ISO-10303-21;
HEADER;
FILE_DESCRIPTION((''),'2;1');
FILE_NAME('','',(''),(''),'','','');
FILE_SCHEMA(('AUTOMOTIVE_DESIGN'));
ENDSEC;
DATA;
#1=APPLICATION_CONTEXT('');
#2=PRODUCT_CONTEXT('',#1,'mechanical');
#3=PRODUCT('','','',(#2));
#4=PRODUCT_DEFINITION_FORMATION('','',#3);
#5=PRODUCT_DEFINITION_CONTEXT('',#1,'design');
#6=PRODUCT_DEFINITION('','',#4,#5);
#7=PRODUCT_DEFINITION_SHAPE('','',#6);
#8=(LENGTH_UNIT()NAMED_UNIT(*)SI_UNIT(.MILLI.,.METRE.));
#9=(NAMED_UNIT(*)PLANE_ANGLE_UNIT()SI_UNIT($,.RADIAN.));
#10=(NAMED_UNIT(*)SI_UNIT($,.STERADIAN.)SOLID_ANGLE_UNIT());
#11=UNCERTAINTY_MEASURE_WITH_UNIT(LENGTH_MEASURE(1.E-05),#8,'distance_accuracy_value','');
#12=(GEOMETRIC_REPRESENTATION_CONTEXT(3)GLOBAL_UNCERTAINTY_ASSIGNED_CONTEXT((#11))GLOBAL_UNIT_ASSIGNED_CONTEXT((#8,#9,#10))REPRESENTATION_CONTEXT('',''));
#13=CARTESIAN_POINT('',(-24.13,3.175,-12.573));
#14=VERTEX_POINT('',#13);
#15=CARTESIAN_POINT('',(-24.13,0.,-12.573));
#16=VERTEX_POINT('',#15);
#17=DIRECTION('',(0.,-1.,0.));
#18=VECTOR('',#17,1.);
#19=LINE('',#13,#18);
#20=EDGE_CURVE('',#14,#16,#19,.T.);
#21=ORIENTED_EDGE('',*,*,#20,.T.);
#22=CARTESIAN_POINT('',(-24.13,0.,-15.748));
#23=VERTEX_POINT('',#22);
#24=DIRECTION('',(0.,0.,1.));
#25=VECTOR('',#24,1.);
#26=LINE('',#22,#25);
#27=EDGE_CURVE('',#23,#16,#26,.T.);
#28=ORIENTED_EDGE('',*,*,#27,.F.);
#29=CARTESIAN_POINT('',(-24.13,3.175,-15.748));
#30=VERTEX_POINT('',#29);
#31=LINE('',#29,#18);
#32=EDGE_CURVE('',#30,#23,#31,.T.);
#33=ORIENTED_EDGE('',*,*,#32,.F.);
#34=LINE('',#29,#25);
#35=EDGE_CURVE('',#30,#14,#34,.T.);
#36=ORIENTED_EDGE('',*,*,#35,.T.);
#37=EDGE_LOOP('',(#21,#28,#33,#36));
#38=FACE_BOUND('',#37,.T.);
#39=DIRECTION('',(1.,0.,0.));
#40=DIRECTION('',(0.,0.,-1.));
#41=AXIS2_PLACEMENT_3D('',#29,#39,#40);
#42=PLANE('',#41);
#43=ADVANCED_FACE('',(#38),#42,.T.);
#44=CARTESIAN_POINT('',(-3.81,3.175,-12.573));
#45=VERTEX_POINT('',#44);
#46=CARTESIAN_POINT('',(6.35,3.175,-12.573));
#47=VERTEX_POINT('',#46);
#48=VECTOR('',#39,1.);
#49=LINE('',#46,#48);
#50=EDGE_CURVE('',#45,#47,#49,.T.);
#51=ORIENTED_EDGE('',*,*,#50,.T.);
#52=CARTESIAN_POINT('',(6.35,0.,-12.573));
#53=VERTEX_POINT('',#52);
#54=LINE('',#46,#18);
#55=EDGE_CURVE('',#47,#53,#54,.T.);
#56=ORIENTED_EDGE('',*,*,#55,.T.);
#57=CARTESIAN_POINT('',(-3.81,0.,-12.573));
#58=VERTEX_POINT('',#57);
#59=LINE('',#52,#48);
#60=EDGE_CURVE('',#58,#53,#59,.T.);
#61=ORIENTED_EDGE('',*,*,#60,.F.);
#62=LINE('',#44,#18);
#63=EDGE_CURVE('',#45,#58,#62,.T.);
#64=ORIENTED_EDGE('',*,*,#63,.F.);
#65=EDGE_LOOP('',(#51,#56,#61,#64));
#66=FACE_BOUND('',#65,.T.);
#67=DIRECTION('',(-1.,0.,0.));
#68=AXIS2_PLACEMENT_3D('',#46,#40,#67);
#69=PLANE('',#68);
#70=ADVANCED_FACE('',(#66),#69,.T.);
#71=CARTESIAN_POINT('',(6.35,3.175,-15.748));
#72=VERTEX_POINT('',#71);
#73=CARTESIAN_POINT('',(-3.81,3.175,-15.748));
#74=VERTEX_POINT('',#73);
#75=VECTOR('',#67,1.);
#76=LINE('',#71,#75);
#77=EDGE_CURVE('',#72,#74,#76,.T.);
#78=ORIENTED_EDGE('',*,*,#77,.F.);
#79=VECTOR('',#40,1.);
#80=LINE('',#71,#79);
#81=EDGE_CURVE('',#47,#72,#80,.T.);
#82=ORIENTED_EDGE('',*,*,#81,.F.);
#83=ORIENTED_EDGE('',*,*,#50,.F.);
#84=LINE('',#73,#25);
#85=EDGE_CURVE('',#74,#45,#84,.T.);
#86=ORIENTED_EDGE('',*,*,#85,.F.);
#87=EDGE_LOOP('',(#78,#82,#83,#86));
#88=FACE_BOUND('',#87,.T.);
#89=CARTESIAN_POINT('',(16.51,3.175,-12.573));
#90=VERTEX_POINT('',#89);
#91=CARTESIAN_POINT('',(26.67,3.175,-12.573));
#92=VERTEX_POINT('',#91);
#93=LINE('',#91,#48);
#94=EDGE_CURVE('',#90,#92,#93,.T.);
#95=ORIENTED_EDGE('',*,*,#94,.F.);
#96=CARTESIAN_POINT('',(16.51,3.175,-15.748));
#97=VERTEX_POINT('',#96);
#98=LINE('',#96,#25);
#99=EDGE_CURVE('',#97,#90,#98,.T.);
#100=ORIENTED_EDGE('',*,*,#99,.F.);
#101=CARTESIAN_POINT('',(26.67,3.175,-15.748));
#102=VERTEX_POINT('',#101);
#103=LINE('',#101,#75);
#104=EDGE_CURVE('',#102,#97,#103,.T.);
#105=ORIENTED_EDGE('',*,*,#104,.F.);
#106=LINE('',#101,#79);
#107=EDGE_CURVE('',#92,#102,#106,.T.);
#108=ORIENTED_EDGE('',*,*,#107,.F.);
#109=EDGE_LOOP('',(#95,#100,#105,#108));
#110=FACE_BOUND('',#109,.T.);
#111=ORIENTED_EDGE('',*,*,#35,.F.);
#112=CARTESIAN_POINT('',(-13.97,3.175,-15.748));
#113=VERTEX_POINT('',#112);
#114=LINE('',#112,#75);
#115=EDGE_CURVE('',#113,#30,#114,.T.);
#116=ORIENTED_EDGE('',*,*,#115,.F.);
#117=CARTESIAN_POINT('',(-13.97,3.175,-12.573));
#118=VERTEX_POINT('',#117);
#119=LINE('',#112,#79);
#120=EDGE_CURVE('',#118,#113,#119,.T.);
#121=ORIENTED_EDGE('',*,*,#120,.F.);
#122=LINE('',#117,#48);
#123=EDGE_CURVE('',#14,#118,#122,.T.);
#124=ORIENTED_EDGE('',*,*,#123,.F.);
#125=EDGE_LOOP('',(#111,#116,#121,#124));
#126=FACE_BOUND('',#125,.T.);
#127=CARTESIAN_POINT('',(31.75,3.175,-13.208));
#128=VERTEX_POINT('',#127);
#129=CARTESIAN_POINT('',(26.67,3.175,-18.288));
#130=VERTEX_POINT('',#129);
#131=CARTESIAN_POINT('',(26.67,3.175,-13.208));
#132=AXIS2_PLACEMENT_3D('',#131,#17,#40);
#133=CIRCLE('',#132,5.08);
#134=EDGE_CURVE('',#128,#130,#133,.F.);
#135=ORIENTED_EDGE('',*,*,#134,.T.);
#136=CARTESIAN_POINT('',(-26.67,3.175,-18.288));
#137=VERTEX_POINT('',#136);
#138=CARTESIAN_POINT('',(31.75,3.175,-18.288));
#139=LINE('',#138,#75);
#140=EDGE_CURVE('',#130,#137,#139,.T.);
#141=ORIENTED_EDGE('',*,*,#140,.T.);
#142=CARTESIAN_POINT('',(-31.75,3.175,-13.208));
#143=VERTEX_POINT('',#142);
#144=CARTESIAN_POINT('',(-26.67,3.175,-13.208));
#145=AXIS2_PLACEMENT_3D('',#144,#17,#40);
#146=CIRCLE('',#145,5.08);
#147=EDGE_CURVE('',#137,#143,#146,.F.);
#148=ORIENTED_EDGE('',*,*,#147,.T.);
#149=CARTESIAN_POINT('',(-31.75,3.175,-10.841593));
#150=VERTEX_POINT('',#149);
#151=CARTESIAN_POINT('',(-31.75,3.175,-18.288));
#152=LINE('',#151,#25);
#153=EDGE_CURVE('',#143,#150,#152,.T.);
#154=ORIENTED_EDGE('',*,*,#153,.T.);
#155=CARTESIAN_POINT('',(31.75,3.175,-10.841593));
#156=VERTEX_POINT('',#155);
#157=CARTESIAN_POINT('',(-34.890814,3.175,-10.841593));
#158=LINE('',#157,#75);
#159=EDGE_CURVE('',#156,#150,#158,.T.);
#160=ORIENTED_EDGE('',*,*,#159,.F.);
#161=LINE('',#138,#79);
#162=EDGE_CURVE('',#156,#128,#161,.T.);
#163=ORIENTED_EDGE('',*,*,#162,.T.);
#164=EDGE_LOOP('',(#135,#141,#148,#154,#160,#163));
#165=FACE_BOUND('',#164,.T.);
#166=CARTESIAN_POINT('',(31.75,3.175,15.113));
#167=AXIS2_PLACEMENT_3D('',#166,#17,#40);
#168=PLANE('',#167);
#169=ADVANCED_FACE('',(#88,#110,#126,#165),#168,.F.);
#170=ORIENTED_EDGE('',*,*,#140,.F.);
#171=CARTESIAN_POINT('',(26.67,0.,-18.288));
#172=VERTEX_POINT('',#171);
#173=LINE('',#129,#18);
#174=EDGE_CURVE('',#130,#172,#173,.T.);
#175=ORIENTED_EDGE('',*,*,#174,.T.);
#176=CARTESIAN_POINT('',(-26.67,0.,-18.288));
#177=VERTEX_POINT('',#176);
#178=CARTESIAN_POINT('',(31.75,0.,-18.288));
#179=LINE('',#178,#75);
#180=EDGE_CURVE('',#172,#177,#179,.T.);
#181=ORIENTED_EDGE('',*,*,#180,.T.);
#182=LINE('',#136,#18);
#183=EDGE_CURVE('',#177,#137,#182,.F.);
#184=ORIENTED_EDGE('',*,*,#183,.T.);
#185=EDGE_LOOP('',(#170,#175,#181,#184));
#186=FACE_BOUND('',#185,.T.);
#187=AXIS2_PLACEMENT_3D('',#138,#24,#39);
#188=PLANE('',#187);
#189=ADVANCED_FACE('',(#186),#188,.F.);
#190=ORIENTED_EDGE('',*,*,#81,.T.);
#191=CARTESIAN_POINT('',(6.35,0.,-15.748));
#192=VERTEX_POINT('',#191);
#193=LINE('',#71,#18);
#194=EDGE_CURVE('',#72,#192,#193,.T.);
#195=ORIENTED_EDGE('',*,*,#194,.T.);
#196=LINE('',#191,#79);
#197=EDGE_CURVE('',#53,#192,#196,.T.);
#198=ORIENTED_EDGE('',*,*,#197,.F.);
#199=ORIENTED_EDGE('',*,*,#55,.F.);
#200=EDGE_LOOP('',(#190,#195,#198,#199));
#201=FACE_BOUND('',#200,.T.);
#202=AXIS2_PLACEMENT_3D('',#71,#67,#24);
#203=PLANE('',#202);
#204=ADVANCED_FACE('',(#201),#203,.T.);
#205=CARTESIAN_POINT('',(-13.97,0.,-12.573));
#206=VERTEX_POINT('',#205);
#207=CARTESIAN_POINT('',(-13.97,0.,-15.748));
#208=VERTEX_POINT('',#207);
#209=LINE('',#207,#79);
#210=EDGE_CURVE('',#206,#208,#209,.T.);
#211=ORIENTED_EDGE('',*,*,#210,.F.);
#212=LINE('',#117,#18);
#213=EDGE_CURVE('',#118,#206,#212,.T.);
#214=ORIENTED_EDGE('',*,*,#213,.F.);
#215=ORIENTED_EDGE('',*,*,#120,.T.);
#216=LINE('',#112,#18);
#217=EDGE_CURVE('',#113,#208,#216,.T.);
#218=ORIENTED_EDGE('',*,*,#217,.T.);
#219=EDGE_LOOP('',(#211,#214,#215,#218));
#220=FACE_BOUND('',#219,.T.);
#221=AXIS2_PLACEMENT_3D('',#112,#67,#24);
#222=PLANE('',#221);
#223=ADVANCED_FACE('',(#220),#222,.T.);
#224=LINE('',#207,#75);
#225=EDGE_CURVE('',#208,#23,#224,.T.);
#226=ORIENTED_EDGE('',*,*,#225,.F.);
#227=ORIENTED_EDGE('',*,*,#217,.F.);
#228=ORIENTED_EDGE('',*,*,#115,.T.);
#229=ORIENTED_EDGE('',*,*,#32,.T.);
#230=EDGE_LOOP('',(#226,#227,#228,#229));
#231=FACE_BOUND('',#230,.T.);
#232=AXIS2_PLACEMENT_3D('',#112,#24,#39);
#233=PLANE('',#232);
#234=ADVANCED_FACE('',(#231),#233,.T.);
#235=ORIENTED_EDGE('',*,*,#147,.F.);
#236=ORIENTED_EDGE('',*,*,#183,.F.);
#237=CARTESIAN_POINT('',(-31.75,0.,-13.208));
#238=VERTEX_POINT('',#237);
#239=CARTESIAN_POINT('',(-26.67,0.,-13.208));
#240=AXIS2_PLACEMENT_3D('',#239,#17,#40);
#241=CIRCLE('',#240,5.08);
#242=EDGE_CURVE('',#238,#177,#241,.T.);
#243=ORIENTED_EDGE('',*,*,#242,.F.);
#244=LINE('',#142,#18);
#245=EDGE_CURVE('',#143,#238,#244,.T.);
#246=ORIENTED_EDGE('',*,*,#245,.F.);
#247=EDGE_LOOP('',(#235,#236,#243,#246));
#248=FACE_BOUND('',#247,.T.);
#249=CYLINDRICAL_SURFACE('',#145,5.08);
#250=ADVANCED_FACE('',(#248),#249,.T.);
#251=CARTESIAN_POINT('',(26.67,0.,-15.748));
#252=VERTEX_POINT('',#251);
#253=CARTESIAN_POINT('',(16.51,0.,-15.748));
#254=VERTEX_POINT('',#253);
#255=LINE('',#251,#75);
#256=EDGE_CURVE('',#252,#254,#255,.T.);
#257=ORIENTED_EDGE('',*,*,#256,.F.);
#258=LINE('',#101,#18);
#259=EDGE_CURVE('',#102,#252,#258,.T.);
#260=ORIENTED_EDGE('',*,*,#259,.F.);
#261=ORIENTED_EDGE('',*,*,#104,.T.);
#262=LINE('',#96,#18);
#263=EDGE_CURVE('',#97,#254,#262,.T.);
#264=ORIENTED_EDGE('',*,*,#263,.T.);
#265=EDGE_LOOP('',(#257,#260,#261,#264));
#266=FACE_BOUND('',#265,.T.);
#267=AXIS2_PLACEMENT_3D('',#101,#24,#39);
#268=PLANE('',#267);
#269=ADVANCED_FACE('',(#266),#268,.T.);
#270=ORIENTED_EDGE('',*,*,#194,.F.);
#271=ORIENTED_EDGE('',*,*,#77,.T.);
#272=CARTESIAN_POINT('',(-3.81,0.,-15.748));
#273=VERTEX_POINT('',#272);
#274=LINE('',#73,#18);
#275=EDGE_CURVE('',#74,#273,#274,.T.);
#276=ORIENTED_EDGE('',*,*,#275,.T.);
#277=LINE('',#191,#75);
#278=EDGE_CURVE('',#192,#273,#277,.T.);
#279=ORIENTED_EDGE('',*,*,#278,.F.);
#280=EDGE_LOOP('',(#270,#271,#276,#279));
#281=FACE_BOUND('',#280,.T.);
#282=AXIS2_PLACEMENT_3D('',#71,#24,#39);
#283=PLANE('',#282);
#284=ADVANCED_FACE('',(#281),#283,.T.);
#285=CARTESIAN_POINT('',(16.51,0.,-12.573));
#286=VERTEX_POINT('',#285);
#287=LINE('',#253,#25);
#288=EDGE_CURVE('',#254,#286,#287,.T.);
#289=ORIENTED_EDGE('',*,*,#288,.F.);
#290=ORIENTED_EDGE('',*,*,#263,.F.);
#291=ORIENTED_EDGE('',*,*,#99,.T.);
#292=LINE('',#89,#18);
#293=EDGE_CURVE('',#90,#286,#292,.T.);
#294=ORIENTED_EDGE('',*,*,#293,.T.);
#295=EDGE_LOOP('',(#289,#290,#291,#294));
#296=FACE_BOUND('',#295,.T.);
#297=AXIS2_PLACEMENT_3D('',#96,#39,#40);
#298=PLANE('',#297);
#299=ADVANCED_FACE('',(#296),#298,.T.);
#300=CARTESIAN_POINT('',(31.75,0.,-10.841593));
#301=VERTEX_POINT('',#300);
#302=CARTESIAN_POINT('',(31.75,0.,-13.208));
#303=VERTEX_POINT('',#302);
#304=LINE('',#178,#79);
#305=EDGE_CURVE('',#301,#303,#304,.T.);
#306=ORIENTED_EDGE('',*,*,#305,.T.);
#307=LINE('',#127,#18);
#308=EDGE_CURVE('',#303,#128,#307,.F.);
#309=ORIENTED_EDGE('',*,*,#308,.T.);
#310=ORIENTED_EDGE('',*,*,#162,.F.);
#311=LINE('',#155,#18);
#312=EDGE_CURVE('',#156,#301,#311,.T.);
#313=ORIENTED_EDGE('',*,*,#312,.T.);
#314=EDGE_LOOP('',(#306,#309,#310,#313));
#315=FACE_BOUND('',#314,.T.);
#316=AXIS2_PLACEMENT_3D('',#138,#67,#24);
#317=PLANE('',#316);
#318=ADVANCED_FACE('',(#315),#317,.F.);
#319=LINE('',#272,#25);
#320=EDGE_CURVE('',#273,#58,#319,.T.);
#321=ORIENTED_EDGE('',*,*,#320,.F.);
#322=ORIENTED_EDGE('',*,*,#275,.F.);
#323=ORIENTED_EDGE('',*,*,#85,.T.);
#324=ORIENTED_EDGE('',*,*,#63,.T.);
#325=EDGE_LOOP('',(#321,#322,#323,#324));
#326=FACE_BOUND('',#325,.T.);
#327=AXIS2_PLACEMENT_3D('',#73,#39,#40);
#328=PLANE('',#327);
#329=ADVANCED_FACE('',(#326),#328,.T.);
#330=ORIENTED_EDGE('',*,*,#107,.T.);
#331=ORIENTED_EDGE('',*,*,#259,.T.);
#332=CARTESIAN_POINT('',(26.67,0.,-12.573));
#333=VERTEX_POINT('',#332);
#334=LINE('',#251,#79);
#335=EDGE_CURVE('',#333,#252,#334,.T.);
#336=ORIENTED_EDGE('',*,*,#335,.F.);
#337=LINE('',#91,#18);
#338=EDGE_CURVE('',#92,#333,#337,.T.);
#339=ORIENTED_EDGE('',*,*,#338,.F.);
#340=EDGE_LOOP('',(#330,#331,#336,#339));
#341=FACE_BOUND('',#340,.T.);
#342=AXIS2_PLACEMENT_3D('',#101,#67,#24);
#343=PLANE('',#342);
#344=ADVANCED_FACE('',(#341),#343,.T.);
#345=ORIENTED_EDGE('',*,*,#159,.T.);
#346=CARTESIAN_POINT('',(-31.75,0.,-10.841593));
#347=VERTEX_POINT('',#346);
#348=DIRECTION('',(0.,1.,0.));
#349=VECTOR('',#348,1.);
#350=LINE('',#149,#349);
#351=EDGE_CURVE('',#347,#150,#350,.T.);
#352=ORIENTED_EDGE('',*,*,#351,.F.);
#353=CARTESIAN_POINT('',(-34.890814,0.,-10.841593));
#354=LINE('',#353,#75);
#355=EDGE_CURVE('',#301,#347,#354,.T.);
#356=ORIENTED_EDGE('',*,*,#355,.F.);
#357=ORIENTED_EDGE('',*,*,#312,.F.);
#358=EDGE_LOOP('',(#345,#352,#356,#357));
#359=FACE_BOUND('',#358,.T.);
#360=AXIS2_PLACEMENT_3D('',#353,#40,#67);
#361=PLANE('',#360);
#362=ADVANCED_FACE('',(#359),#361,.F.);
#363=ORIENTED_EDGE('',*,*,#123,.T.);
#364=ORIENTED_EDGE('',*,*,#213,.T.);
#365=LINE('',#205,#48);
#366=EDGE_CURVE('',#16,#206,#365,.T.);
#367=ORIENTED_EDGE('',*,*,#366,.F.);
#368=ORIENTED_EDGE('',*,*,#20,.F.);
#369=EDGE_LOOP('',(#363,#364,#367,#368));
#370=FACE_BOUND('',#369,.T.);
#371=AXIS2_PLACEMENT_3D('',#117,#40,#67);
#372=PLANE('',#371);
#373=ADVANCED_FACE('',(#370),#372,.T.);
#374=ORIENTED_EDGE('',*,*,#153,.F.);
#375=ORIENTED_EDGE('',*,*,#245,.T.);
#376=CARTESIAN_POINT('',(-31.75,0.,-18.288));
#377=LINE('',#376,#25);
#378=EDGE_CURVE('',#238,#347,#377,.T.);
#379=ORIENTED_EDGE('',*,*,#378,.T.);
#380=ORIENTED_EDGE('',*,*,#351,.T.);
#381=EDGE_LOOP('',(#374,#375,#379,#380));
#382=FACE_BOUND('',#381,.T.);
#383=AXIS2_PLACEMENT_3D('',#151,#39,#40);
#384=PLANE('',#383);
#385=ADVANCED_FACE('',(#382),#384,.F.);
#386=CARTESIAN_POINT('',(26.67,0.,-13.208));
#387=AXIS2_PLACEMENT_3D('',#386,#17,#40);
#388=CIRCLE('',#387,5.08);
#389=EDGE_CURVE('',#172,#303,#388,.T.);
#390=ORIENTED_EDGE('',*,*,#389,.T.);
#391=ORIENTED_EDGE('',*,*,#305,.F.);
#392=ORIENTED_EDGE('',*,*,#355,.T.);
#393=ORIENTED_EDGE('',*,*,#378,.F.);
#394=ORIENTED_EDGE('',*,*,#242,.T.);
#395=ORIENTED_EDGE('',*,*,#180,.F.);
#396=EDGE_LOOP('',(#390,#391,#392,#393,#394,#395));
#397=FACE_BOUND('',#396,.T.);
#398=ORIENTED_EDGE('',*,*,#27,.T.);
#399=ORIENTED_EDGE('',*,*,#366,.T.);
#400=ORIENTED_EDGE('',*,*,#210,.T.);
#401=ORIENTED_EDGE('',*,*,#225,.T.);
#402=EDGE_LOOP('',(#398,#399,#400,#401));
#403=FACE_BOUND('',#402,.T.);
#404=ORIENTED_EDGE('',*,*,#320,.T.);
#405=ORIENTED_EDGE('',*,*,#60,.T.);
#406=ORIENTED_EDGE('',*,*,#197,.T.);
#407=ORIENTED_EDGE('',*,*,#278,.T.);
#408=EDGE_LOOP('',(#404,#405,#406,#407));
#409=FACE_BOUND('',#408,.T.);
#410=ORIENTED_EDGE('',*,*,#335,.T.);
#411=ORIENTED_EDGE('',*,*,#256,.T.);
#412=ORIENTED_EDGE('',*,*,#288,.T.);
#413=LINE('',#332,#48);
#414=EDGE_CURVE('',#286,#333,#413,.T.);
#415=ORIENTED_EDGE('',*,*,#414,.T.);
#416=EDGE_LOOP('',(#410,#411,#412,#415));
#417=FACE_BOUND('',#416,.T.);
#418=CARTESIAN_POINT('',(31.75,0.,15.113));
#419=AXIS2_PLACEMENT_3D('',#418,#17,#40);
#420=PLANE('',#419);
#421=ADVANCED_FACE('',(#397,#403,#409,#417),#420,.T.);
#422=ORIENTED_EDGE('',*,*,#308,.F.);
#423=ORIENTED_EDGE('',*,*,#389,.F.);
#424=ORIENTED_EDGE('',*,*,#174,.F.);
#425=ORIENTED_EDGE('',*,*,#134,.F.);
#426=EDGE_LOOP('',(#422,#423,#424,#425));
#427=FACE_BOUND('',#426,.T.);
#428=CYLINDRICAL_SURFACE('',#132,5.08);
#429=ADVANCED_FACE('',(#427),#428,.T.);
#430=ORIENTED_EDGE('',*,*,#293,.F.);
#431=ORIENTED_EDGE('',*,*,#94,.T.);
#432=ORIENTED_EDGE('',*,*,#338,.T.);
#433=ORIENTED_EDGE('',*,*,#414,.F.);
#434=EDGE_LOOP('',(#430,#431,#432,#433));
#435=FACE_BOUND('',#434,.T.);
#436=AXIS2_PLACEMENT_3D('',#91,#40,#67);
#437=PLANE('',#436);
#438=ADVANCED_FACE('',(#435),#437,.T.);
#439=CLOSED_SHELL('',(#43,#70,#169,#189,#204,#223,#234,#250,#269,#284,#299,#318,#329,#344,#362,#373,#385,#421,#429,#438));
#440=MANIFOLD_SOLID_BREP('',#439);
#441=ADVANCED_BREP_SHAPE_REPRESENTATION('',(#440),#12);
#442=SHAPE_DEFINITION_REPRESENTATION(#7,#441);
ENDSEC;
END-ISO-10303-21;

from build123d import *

# Parameters (mm, degrees)
SKETCH1_W            = 63.5
SKETCH1_H            = 33.401
SKETCH1_W_2          = 10.16
SKETCH1_H_2          = 3.175
SKETCH1_W_3          = 40.64
SKETCH1_H_3          = 20.066
MAIN_EXTRUSION_DEPTH = 3.175
SKETCH3_R            = 2.2225
MOUNTING_HOLES_DEPTH = 37.777630008
TAB_CUTOUT_DEPTH     = 37.777630008
FILLET1_R            = 5.08
SKETCH6_W            = 69.522251557
SKETCH6_H            = 29.320751893
CUT_EXTRUDE3_DEPTH   = 37.777630008


with BuildPart() as part:
    # Sketch1 → Main Extrusion (new body)
    with BuildSketch(Plane(origin=(0, 0, 0), x_dir=(1, 0, 0), z_dir=(0, 1, 0))):
        with Locations((0, 1.5875)):
            Rectangle(SKETCH1_W, SKETCH1_H)
        with Locations((21.59, 14.1605)):
            Rectangle(SKETCH1_W_2, SKETCH1_H_2, mode=Mode.SUBTRACT)
        with Locations((1.27, 14.1605)):
            Rectangle(SKETCH1_W_2, SKETCH1_H_2, mode=Mode.SUBTRACT)
        with Locations((-19.05, 14.1605)):
            Rectangle(SKETCH1_W_2, SKETCH1_H_2, mode=Mode.SUBTRACT)
        Rectangle(SKETCH1_W_3, SKETCH1_H_3, mode=Mode.SUBTRACT)
    extrude(amount=MAIN_EXTRUSION_DEPTH)

    # Sketch3 → Mounting Holes (cut, through all)
    with BuildSketch(Plane(origin=(0, 3.175, 0), x_dir=(1, 0, 0), z_dir=(0, 1, 0))):
        with Locations(Location((-24.992246486, 4.9657, 0), (0, 0, 270))):
            Circle(SKETCH3_R)
        with Locations(Location((-24.992246486, -4.9657, 0), (0, 0, 270))):
            Circle(SKETCH3_R)
        with Locations(Location((24.992246486, -4.9657, 0), (0, 0, 90))):
            Circle(SKETCH3_R)
        with Locations(Location((24.992246486, 4.9657, 0), (0, 0, 90))):
            Circle(SKETCH3_R)
    extrude(amount=-MOUNTING_HOLES_DEPTH, mode=Mode.SUBTRACT)

    # Sketch5 → Tab cutout (cut, through all)
    with BuildSketch(Plane(origin=(0, 3.175, 0), x_dir=(1, 0, 0), z_dir=(0, 1, 0))):
        Polygon((-20.32, 0), (-20.32, 0.889), (-27.305, 0.889), (-27.305, -0.889), (-20.32, -0.889), align=None)
        Polygon((27.305, -0.889), (20.32, -0.889), (20.32, 0), (20.32, 0.889), (27.305, 0.889), align=None)
    extrude(amount=-TAB_CUTOUT_DEPTH, mode=Mode.SUBTRACT)

    # Fillet1
    fillet1_edges = [part.edges().sort_by_distance(p)[0] for p in [
        (31.75, 1.5875, 15.113),
        (-31.75, 1.5875, 15.113),
        (-31.75, 1.5875, -18.288),
        (31.75, 1.5875, -18.288),
    ]]
    fillet(fillet1_edges, radius=FILLET1_R)

    # Sketch6 → Cut-Extrude3 (cut, through all)
    with BuildSketch(Plane(origin=(0, 3.175, 0), x_dir=(1, 0, 0), z_dir=(0, 1, 0))):
        with Locations((-0.129688159, -3.818782995)):
            Rectangle(SKETCH6_W, SKETCH6_H)
    extrude(amount=-CUT_EXTRUDE3_DEPTH, mode=Mode.SUBTRACT)


solid = part.part
